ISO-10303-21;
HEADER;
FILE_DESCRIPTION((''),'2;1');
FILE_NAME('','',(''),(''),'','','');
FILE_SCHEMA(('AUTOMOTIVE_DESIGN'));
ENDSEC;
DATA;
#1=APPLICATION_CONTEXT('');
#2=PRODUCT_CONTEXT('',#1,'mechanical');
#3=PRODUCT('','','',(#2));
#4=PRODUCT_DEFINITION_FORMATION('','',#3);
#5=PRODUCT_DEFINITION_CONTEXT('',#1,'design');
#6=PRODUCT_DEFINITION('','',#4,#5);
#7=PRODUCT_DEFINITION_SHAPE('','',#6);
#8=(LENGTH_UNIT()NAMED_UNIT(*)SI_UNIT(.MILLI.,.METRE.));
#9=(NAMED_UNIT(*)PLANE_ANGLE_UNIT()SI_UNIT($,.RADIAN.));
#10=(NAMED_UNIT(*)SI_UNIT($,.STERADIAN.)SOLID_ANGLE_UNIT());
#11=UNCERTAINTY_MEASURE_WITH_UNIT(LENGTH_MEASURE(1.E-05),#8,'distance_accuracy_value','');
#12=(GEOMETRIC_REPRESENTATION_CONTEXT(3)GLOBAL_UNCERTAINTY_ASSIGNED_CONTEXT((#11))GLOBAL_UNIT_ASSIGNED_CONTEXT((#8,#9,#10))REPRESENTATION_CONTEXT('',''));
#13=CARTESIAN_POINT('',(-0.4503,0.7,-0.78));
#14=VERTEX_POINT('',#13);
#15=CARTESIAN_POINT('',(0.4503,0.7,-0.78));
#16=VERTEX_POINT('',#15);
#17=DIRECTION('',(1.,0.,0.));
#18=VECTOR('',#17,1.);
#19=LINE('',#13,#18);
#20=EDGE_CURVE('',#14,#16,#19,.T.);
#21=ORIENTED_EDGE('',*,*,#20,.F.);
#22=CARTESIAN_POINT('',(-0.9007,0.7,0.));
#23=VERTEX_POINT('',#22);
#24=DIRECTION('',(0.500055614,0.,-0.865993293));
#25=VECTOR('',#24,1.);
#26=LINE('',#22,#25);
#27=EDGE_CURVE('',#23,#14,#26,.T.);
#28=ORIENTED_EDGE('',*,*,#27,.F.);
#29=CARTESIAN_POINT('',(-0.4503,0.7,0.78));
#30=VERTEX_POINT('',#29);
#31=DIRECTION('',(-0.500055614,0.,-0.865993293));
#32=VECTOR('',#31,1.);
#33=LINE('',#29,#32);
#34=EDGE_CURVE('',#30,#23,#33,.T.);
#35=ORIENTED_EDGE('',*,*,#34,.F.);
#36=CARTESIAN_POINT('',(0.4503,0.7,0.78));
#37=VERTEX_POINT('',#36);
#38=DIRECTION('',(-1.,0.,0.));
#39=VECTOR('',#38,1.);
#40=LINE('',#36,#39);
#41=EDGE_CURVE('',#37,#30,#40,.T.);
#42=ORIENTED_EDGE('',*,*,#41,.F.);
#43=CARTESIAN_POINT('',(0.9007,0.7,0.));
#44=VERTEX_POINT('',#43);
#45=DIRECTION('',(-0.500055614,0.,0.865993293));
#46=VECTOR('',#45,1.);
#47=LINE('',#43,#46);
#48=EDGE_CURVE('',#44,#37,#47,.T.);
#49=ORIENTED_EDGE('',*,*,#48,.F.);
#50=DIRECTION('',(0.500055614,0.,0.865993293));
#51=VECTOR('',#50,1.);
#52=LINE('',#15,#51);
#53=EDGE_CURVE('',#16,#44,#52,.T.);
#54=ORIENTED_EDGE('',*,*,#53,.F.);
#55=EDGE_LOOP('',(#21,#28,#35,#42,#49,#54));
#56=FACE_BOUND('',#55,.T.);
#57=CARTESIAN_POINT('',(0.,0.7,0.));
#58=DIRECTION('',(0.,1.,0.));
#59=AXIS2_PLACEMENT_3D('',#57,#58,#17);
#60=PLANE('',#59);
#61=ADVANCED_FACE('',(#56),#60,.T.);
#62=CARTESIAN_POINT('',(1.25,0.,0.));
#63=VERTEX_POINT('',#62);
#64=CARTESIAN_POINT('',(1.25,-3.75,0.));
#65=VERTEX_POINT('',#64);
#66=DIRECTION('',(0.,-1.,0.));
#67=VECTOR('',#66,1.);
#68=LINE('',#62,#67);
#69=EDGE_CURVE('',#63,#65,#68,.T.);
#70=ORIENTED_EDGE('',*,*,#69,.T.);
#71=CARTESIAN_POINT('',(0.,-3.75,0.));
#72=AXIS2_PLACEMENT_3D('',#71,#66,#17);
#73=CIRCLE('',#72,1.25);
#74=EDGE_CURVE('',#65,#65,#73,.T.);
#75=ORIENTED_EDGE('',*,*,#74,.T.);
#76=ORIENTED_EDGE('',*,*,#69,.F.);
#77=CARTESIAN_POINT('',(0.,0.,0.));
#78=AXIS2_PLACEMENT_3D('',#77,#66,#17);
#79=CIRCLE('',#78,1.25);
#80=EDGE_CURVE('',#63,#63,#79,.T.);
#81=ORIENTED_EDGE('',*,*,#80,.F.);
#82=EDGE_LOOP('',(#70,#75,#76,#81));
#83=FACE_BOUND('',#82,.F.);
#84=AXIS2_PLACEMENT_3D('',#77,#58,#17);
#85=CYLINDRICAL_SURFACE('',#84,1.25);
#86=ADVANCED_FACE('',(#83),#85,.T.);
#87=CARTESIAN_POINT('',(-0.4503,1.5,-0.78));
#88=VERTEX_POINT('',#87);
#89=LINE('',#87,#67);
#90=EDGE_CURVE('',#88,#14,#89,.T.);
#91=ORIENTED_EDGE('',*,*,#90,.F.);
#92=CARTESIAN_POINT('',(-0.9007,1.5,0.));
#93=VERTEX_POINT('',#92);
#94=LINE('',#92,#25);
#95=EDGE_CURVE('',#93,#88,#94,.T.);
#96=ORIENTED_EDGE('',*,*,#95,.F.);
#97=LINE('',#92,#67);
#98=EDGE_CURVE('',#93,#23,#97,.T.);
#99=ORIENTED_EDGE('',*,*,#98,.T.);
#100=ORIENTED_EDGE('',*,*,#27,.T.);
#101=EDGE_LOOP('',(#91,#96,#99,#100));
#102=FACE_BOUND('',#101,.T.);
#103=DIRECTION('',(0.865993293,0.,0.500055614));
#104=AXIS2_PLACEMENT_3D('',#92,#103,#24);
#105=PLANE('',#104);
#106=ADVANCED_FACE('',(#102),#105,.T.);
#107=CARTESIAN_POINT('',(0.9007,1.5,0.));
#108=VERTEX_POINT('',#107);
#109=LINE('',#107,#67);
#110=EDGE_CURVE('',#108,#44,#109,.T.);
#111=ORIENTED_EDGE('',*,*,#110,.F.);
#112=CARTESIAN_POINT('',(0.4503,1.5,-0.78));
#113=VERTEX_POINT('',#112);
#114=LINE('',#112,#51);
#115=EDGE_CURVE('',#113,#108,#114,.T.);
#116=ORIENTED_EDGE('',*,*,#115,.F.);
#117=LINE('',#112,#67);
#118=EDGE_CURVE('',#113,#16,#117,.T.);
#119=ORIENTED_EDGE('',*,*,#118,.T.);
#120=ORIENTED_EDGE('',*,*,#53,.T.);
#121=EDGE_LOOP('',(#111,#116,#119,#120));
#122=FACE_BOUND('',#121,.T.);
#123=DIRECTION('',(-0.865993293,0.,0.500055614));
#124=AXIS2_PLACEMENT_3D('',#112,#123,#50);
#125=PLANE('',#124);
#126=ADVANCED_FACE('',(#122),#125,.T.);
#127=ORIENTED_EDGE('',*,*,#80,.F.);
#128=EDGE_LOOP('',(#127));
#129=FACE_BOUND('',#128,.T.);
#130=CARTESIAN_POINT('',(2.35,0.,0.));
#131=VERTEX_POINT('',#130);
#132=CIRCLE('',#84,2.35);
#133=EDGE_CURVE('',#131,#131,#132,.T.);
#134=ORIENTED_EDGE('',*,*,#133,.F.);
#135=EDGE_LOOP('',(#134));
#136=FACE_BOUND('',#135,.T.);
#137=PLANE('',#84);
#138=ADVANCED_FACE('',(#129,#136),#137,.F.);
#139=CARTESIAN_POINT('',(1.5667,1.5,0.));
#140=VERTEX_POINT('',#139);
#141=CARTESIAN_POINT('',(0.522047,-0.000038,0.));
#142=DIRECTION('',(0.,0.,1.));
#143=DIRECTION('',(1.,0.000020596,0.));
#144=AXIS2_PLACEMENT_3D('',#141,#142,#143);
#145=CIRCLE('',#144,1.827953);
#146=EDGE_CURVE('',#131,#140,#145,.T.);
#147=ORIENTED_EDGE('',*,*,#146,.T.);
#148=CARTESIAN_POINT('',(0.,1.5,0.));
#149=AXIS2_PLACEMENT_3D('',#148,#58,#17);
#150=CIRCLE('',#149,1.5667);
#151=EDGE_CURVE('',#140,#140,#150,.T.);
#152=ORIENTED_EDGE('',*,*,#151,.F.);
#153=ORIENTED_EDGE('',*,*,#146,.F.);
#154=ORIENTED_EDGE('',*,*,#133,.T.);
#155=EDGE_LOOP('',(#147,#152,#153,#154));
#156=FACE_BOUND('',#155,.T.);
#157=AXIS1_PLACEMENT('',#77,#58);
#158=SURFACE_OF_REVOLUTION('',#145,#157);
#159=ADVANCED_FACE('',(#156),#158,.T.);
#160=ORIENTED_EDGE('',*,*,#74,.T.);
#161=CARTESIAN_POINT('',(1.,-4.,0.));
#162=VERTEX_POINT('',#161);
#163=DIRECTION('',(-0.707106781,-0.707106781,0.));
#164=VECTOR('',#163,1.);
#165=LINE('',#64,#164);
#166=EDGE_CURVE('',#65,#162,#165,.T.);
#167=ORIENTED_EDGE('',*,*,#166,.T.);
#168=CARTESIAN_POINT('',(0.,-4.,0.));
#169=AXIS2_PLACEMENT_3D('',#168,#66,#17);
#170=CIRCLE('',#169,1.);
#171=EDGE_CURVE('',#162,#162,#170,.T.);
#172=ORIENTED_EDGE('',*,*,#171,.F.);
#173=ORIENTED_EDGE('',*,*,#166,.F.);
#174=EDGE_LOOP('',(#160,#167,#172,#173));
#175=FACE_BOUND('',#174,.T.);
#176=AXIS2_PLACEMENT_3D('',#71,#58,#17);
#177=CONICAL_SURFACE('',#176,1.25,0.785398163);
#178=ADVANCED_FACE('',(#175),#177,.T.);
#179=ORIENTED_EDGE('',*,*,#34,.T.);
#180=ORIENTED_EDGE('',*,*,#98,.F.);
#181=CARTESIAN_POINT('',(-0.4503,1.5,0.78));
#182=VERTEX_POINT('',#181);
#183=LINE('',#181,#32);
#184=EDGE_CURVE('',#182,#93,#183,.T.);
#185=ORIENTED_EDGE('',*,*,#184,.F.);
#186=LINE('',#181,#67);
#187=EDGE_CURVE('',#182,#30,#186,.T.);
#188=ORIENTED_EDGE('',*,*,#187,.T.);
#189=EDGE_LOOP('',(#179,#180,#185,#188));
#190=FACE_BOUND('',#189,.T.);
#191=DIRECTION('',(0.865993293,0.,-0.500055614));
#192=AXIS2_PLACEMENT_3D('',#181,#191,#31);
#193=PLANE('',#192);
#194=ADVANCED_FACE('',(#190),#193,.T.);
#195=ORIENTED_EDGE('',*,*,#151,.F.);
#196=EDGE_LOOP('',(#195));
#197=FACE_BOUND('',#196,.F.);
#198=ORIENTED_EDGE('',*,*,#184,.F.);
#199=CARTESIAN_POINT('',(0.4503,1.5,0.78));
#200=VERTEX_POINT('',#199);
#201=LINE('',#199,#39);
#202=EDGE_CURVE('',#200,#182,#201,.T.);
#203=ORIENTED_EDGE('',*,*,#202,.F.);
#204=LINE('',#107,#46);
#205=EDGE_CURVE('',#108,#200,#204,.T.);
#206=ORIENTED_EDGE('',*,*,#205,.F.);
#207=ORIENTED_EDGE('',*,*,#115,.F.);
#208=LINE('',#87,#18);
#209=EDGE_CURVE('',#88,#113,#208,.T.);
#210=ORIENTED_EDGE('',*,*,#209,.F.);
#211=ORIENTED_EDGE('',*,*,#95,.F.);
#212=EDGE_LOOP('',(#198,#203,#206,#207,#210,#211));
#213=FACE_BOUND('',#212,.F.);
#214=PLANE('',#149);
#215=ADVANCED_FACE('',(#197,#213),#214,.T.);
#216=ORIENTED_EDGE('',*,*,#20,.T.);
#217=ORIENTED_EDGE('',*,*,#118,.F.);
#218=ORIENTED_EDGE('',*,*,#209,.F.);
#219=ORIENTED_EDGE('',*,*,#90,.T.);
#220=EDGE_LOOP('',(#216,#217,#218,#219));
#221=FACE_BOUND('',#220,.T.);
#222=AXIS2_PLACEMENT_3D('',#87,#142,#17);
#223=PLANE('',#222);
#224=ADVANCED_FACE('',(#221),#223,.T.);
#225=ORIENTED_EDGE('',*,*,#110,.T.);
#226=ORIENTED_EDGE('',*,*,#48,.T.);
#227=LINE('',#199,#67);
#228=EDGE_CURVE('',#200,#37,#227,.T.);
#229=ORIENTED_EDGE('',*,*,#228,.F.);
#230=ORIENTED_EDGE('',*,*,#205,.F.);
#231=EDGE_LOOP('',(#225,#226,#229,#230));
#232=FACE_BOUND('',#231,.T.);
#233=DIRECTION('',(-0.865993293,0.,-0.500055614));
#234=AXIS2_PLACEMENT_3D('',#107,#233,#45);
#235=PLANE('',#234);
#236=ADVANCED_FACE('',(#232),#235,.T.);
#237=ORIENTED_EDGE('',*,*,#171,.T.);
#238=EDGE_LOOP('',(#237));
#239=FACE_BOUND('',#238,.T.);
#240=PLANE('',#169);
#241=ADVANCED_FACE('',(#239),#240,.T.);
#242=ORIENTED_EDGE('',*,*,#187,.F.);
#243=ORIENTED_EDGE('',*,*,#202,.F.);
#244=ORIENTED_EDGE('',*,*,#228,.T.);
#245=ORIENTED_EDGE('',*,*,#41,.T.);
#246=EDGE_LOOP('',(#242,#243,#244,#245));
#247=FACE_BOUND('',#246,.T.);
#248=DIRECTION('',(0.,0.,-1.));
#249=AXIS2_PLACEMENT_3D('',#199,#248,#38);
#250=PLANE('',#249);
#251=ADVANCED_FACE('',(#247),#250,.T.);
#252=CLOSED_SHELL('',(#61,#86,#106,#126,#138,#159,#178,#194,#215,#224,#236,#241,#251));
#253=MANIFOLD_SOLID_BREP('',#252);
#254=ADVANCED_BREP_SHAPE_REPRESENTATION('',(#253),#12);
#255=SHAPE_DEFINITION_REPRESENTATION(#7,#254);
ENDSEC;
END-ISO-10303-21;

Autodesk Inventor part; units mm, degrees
ref_plane "YZ Plane" through (0, 0, 0) normal (1, 0, 0) x (0, 1, 0)
ref_plane "XZ Plane" through (0, 0, 0) normal (0, 1, 0) x (-1, 0, 0)
ref_plane "XY Plane" through (0, 0, 0) normal (0, 0, 1) x (1, 0, 0)
sketch "Schizzo2" plane through (0, 0, 0) normal (0, 0, 1) x (1, 0, 0)
  line L0 (0, 0) -> (0, 1.5)
  line L1 (0, 1.5) -> (1.5667, 1.5)
  line L2 (0, 0) -> (2.35, 0)
  arc A0 (2.35, 0) -> (1.5667, 1.5) centre (0.5222, 0) ccw
  dimension "d0" = 2.35
  dimension "d1" = 1.5
  dimension "d2" = 1.5667
revolve "Rivoluzione1" add sketch "Schizzo2" angle 360 about axis through (0, 0, 0) along (0, 1, 0)
sketch "Schizzo3" plane through (0, 0, 0) normal (0, -1, 0) x (1, 0, 0)
  circle A0 centre (0, 0) radius 1.5667 projected
  circle A1 centre (0, 0) radius 1.25
  dimension "d4" = 2.5
extrude "Estrusione1" add sketch "Schizzo3" along normal blind 4 contours A1
thread "Filettatura1" size "M2.5x0.45" class "6g" standard "ISO Metric profile" length 20
chamfer "Smusso1" distance 0.25 angle 45 1 edges at (-1.25, -4, 0) measured on face at (-0.1478, -4, -0.3896)
sketch "Schizzo4" plane through (0, 1.5, 0) normal (0, 1, 0) x (1, 0, 0)
  circle A0 centre (0, 0) radius 1.25 projected
  line L0 (0.4503, 0.78) -> (0.9007, 0)
  line L1 (0.9007, 0) -> (0.4503, -0.78)
  line L2 (0.4503, -0.78) -> (-0.4503, -0.78)
  line L3 (-0.4503, -0.78) -> (-0.9007, 0)
  line L4 (-0.9007, 0) -> (-0.4503, 0.78)
  line L5 (-0.4503, 0.78) -> (0.4503, 0.78)
  dimension "d12" = 1.56
extrude "Estrusione2" cut sketch "Schizzo4" against normal blind 0.8 contours L0 L1 L2 L3 L4 L5
equation "\"d0\" = 0.5 * dk"
equation "\"d1\" = k"
equation "\"d2\" = 0.333333 * dk"
equation "\"d4\" = d"
equation "\"d5\" = L"
equation "\"d12\" = es"
equation "\"d13\" = t"
equation "\"t\" = 0.8"
equation "\"k\" = 1.5"
equation "\"d\" = 2.5"
equation "\"dk\" = 4.7"
equation "\"es\" = 1.56"
equation "\"L\" = 4"
properties part number "Vite ISO 7380"
